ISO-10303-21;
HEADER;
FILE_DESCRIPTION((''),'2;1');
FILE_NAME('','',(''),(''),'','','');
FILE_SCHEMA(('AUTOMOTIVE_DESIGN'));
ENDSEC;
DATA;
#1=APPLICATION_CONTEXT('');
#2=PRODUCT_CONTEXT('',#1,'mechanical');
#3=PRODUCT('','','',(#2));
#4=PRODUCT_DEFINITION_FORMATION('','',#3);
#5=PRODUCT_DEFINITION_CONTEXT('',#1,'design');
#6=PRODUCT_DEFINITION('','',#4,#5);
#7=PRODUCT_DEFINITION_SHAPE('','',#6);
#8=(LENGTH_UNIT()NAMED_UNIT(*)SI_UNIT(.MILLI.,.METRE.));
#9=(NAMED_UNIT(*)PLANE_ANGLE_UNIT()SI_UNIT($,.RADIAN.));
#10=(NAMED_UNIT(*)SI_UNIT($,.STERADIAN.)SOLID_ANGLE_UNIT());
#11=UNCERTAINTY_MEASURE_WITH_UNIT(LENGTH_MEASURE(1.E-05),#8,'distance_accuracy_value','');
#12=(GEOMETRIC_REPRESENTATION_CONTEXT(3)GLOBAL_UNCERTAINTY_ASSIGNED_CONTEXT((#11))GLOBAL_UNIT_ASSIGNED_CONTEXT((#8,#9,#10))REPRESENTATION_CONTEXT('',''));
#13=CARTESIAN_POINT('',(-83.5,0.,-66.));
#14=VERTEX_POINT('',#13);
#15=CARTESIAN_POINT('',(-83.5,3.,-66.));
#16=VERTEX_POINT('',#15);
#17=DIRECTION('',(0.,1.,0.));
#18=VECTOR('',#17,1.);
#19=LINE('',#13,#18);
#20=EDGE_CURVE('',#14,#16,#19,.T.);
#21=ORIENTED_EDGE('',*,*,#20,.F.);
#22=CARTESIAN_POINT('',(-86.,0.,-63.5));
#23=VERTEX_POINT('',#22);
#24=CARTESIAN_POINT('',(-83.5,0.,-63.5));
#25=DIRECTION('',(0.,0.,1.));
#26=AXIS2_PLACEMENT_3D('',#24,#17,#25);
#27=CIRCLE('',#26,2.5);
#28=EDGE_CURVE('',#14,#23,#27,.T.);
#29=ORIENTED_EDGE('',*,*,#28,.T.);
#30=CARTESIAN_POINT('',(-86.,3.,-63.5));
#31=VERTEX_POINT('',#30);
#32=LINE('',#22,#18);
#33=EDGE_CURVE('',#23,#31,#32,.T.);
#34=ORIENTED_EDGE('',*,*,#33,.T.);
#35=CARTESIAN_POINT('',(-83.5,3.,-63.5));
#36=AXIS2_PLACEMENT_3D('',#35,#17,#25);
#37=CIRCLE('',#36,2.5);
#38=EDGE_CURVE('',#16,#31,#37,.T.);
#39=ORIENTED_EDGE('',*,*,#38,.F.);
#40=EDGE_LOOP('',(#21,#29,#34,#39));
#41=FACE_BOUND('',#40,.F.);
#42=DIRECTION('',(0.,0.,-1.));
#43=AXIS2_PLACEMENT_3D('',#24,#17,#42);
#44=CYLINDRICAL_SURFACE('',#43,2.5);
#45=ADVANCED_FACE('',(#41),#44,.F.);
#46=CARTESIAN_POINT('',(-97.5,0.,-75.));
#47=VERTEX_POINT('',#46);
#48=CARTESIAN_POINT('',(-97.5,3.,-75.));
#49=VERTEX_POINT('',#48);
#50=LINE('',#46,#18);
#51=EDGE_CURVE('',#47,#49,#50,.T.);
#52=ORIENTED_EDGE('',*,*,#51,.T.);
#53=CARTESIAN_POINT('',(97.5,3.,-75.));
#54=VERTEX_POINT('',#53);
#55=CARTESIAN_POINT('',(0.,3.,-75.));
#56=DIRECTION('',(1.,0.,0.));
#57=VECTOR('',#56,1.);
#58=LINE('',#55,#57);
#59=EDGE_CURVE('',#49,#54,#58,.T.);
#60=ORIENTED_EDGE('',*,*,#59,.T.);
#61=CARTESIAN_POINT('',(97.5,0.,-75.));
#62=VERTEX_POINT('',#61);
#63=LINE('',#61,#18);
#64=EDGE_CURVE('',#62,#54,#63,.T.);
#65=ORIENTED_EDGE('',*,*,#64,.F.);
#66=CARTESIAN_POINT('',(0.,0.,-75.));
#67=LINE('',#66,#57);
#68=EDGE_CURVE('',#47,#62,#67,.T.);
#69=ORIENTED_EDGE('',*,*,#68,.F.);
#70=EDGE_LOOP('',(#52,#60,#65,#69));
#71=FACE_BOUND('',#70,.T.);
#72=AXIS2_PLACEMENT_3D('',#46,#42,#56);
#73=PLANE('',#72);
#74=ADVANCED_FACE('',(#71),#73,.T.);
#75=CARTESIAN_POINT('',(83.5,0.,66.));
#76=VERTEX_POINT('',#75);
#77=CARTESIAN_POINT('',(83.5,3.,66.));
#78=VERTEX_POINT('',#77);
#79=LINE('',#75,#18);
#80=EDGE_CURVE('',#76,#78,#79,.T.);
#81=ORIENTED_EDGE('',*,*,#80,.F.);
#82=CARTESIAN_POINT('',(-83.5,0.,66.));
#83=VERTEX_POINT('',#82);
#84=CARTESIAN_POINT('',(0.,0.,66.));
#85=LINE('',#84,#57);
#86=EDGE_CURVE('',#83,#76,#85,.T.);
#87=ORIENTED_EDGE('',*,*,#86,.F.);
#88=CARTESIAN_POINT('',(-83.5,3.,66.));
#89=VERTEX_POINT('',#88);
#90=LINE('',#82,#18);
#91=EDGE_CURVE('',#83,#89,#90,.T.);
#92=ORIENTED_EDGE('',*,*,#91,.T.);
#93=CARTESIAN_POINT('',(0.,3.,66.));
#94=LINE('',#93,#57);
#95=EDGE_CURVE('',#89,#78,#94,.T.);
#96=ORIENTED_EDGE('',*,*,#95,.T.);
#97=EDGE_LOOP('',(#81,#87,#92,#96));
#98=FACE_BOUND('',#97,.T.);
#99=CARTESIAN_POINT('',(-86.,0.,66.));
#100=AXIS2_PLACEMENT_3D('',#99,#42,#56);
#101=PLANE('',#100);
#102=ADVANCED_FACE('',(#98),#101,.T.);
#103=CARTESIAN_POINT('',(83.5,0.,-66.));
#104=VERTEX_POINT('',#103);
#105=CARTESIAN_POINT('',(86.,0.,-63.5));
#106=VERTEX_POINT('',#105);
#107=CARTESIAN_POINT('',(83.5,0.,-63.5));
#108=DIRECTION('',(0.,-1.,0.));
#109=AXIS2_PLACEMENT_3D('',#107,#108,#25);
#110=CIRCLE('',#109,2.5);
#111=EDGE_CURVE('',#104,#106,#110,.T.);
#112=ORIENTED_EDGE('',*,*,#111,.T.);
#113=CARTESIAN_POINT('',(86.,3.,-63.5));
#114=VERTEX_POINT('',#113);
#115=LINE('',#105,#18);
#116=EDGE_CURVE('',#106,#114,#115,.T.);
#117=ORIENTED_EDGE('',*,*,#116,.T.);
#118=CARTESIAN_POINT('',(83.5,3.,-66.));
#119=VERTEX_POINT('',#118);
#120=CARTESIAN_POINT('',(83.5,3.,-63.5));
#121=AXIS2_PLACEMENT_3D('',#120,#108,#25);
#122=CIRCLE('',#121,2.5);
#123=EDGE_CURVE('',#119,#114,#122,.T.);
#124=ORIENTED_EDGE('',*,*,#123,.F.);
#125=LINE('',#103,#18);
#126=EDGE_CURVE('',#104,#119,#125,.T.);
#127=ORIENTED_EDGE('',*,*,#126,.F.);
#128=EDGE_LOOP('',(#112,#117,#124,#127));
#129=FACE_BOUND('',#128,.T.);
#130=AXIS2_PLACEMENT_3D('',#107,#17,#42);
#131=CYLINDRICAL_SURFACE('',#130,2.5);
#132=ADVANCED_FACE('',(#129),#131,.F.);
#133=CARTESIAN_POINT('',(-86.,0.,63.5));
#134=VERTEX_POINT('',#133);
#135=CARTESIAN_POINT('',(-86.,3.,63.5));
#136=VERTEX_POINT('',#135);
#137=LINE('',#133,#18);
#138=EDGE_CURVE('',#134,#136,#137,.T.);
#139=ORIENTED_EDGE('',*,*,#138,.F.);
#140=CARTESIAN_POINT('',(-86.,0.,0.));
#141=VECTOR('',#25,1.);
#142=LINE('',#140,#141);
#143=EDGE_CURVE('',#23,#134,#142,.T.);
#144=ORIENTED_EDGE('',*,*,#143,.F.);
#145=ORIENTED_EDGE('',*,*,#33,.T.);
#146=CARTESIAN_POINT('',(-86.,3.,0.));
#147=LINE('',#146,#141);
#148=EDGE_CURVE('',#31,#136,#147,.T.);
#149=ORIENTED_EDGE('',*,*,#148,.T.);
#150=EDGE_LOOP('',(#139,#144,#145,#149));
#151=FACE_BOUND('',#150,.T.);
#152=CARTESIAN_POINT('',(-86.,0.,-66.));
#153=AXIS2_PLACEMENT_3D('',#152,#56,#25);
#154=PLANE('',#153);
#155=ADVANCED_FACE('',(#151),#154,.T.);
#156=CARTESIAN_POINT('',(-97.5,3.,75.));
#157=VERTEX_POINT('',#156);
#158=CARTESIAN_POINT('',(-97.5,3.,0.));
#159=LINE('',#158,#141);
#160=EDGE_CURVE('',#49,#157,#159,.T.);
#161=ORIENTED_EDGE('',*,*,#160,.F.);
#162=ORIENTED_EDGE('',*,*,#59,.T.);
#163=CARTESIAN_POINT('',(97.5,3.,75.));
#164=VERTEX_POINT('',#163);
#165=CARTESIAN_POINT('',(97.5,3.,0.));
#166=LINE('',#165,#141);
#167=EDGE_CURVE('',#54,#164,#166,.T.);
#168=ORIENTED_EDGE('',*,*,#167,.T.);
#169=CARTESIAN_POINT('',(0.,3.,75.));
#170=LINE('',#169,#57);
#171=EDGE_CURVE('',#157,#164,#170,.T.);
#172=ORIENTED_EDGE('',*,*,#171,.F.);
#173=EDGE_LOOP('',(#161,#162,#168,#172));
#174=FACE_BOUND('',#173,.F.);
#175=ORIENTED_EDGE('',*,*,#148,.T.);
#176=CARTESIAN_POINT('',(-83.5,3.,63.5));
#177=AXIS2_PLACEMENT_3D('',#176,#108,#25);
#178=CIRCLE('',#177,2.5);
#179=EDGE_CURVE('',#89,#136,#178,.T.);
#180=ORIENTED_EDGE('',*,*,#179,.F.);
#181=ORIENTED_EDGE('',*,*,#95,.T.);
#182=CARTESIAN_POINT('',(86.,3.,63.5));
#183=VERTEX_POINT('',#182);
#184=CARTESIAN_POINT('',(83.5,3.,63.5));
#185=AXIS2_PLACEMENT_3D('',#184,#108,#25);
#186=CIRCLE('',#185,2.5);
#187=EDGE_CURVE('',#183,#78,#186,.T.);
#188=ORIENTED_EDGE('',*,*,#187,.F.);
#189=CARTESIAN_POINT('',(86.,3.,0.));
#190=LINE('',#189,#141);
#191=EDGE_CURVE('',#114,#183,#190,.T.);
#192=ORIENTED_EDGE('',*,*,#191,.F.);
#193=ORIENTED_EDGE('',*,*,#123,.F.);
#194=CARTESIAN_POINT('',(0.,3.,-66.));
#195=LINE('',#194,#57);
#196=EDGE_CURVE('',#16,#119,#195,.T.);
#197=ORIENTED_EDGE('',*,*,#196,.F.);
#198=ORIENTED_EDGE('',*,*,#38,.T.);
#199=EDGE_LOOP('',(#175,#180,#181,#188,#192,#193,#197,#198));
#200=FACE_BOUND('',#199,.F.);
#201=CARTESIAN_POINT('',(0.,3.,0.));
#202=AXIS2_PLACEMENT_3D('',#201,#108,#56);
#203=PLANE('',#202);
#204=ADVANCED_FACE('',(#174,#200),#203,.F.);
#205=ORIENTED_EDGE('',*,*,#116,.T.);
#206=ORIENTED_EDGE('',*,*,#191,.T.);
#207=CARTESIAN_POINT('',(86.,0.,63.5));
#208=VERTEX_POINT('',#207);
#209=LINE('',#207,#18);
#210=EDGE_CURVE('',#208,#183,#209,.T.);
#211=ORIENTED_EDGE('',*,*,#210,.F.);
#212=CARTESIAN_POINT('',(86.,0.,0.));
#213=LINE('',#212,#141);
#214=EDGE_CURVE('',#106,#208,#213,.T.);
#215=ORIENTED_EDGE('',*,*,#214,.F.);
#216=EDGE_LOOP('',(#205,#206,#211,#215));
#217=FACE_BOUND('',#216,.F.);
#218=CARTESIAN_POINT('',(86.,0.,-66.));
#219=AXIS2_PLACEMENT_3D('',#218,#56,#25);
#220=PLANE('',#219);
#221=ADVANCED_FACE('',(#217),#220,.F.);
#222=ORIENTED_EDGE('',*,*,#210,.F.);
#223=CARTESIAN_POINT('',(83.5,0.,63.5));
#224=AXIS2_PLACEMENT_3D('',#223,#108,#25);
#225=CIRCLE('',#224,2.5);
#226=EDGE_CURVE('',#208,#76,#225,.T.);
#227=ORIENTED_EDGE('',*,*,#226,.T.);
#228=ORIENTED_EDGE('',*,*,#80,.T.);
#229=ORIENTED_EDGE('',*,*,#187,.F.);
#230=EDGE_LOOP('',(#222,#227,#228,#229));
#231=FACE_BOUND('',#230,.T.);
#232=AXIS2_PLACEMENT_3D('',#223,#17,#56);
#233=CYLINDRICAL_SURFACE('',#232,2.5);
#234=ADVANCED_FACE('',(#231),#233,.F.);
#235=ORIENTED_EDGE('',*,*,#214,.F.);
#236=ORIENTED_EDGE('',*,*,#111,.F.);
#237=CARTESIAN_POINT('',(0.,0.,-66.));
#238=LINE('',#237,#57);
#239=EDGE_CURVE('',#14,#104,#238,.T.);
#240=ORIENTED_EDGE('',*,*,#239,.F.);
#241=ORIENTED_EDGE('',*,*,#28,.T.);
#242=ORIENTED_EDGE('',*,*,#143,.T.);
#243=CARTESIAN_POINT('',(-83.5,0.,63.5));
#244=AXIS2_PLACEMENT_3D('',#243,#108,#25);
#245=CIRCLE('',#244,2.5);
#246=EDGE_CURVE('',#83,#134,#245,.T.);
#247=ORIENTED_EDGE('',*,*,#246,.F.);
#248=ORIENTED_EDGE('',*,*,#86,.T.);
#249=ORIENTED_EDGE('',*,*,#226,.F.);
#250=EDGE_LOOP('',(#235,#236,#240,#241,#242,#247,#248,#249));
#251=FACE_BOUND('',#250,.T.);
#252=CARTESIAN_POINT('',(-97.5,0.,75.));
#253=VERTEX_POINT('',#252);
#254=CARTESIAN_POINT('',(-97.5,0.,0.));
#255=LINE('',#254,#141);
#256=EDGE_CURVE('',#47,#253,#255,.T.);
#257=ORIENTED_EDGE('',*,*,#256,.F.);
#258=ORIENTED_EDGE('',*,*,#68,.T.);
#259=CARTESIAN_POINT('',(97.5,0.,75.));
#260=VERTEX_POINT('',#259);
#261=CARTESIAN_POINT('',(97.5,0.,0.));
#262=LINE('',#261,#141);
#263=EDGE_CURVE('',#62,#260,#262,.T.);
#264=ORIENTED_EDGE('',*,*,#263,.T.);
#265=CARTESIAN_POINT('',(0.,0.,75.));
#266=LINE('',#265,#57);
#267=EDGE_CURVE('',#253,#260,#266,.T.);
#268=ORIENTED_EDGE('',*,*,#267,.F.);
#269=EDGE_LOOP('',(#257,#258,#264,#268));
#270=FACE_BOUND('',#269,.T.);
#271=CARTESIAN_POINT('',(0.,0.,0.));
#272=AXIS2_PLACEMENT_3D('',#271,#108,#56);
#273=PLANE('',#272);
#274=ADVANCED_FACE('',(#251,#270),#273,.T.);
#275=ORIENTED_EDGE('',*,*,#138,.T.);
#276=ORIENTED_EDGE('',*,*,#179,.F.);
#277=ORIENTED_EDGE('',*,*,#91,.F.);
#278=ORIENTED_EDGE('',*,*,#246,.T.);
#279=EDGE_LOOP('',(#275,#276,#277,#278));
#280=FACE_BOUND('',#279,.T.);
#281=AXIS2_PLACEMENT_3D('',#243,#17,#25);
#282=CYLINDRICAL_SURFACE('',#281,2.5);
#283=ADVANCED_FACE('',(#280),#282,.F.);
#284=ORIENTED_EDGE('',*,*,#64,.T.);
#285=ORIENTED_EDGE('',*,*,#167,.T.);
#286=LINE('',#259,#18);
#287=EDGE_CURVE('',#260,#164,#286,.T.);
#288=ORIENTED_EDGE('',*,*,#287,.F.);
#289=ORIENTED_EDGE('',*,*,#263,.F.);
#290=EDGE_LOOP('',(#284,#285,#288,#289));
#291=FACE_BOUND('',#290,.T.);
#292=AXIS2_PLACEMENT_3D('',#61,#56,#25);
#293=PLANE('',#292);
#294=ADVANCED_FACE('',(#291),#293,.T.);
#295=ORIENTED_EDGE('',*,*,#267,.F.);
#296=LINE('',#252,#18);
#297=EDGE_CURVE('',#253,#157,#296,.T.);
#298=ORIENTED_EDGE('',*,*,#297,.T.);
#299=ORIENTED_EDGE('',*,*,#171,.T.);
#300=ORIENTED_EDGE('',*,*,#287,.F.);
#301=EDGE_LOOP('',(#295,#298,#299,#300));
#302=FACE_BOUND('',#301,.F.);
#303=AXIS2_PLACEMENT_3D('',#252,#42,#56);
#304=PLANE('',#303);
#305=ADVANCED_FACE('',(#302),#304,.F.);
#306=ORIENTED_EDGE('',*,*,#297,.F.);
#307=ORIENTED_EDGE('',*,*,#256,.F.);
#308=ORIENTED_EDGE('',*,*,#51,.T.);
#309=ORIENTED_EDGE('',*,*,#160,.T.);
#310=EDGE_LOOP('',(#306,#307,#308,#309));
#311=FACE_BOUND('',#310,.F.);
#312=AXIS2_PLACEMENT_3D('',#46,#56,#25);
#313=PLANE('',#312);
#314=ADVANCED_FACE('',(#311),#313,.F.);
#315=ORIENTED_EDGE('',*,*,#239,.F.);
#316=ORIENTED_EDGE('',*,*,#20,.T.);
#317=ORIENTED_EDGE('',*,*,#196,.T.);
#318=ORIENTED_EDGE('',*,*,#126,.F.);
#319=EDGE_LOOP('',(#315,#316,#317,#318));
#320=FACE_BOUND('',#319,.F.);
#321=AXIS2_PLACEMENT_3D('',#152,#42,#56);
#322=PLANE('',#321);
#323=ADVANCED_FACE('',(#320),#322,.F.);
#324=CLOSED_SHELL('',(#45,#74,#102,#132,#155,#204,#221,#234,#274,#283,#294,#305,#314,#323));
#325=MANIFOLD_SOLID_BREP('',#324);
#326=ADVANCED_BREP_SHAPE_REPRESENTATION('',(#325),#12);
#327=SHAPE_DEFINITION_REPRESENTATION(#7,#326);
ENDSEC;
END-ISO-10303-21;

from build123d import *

# Parameters (mm, degrees)
F0_W     = 195
F0_H     = 150
F0_W_2   = 172
F0_H_2   = 132
F1_DEPTH = 3
F2_R     = 2.5


with BuildPart() as f1:
    # F0 (on Front) → F1 (new body)
    with BuildSketch(Plane.XZ):
        Rectangle(F0_W, F0_H)
        Rectangle(F0_W_2, F0_H_2, mode=Mode.SUBTRACT)
    extrude(amount=-F1_DEPTH)

    # F2
    f2_edges = [f1.edges().sort_by_distance(p)[0] for p in [
        (-86, 1.5, -66),
        (86, 1.5, -66),
        (86, 1.5, 66),
        (-86, 1.5, 66),
    ]]
    fillet(f2_edges, radius=F2_R)


solid = f1.part
